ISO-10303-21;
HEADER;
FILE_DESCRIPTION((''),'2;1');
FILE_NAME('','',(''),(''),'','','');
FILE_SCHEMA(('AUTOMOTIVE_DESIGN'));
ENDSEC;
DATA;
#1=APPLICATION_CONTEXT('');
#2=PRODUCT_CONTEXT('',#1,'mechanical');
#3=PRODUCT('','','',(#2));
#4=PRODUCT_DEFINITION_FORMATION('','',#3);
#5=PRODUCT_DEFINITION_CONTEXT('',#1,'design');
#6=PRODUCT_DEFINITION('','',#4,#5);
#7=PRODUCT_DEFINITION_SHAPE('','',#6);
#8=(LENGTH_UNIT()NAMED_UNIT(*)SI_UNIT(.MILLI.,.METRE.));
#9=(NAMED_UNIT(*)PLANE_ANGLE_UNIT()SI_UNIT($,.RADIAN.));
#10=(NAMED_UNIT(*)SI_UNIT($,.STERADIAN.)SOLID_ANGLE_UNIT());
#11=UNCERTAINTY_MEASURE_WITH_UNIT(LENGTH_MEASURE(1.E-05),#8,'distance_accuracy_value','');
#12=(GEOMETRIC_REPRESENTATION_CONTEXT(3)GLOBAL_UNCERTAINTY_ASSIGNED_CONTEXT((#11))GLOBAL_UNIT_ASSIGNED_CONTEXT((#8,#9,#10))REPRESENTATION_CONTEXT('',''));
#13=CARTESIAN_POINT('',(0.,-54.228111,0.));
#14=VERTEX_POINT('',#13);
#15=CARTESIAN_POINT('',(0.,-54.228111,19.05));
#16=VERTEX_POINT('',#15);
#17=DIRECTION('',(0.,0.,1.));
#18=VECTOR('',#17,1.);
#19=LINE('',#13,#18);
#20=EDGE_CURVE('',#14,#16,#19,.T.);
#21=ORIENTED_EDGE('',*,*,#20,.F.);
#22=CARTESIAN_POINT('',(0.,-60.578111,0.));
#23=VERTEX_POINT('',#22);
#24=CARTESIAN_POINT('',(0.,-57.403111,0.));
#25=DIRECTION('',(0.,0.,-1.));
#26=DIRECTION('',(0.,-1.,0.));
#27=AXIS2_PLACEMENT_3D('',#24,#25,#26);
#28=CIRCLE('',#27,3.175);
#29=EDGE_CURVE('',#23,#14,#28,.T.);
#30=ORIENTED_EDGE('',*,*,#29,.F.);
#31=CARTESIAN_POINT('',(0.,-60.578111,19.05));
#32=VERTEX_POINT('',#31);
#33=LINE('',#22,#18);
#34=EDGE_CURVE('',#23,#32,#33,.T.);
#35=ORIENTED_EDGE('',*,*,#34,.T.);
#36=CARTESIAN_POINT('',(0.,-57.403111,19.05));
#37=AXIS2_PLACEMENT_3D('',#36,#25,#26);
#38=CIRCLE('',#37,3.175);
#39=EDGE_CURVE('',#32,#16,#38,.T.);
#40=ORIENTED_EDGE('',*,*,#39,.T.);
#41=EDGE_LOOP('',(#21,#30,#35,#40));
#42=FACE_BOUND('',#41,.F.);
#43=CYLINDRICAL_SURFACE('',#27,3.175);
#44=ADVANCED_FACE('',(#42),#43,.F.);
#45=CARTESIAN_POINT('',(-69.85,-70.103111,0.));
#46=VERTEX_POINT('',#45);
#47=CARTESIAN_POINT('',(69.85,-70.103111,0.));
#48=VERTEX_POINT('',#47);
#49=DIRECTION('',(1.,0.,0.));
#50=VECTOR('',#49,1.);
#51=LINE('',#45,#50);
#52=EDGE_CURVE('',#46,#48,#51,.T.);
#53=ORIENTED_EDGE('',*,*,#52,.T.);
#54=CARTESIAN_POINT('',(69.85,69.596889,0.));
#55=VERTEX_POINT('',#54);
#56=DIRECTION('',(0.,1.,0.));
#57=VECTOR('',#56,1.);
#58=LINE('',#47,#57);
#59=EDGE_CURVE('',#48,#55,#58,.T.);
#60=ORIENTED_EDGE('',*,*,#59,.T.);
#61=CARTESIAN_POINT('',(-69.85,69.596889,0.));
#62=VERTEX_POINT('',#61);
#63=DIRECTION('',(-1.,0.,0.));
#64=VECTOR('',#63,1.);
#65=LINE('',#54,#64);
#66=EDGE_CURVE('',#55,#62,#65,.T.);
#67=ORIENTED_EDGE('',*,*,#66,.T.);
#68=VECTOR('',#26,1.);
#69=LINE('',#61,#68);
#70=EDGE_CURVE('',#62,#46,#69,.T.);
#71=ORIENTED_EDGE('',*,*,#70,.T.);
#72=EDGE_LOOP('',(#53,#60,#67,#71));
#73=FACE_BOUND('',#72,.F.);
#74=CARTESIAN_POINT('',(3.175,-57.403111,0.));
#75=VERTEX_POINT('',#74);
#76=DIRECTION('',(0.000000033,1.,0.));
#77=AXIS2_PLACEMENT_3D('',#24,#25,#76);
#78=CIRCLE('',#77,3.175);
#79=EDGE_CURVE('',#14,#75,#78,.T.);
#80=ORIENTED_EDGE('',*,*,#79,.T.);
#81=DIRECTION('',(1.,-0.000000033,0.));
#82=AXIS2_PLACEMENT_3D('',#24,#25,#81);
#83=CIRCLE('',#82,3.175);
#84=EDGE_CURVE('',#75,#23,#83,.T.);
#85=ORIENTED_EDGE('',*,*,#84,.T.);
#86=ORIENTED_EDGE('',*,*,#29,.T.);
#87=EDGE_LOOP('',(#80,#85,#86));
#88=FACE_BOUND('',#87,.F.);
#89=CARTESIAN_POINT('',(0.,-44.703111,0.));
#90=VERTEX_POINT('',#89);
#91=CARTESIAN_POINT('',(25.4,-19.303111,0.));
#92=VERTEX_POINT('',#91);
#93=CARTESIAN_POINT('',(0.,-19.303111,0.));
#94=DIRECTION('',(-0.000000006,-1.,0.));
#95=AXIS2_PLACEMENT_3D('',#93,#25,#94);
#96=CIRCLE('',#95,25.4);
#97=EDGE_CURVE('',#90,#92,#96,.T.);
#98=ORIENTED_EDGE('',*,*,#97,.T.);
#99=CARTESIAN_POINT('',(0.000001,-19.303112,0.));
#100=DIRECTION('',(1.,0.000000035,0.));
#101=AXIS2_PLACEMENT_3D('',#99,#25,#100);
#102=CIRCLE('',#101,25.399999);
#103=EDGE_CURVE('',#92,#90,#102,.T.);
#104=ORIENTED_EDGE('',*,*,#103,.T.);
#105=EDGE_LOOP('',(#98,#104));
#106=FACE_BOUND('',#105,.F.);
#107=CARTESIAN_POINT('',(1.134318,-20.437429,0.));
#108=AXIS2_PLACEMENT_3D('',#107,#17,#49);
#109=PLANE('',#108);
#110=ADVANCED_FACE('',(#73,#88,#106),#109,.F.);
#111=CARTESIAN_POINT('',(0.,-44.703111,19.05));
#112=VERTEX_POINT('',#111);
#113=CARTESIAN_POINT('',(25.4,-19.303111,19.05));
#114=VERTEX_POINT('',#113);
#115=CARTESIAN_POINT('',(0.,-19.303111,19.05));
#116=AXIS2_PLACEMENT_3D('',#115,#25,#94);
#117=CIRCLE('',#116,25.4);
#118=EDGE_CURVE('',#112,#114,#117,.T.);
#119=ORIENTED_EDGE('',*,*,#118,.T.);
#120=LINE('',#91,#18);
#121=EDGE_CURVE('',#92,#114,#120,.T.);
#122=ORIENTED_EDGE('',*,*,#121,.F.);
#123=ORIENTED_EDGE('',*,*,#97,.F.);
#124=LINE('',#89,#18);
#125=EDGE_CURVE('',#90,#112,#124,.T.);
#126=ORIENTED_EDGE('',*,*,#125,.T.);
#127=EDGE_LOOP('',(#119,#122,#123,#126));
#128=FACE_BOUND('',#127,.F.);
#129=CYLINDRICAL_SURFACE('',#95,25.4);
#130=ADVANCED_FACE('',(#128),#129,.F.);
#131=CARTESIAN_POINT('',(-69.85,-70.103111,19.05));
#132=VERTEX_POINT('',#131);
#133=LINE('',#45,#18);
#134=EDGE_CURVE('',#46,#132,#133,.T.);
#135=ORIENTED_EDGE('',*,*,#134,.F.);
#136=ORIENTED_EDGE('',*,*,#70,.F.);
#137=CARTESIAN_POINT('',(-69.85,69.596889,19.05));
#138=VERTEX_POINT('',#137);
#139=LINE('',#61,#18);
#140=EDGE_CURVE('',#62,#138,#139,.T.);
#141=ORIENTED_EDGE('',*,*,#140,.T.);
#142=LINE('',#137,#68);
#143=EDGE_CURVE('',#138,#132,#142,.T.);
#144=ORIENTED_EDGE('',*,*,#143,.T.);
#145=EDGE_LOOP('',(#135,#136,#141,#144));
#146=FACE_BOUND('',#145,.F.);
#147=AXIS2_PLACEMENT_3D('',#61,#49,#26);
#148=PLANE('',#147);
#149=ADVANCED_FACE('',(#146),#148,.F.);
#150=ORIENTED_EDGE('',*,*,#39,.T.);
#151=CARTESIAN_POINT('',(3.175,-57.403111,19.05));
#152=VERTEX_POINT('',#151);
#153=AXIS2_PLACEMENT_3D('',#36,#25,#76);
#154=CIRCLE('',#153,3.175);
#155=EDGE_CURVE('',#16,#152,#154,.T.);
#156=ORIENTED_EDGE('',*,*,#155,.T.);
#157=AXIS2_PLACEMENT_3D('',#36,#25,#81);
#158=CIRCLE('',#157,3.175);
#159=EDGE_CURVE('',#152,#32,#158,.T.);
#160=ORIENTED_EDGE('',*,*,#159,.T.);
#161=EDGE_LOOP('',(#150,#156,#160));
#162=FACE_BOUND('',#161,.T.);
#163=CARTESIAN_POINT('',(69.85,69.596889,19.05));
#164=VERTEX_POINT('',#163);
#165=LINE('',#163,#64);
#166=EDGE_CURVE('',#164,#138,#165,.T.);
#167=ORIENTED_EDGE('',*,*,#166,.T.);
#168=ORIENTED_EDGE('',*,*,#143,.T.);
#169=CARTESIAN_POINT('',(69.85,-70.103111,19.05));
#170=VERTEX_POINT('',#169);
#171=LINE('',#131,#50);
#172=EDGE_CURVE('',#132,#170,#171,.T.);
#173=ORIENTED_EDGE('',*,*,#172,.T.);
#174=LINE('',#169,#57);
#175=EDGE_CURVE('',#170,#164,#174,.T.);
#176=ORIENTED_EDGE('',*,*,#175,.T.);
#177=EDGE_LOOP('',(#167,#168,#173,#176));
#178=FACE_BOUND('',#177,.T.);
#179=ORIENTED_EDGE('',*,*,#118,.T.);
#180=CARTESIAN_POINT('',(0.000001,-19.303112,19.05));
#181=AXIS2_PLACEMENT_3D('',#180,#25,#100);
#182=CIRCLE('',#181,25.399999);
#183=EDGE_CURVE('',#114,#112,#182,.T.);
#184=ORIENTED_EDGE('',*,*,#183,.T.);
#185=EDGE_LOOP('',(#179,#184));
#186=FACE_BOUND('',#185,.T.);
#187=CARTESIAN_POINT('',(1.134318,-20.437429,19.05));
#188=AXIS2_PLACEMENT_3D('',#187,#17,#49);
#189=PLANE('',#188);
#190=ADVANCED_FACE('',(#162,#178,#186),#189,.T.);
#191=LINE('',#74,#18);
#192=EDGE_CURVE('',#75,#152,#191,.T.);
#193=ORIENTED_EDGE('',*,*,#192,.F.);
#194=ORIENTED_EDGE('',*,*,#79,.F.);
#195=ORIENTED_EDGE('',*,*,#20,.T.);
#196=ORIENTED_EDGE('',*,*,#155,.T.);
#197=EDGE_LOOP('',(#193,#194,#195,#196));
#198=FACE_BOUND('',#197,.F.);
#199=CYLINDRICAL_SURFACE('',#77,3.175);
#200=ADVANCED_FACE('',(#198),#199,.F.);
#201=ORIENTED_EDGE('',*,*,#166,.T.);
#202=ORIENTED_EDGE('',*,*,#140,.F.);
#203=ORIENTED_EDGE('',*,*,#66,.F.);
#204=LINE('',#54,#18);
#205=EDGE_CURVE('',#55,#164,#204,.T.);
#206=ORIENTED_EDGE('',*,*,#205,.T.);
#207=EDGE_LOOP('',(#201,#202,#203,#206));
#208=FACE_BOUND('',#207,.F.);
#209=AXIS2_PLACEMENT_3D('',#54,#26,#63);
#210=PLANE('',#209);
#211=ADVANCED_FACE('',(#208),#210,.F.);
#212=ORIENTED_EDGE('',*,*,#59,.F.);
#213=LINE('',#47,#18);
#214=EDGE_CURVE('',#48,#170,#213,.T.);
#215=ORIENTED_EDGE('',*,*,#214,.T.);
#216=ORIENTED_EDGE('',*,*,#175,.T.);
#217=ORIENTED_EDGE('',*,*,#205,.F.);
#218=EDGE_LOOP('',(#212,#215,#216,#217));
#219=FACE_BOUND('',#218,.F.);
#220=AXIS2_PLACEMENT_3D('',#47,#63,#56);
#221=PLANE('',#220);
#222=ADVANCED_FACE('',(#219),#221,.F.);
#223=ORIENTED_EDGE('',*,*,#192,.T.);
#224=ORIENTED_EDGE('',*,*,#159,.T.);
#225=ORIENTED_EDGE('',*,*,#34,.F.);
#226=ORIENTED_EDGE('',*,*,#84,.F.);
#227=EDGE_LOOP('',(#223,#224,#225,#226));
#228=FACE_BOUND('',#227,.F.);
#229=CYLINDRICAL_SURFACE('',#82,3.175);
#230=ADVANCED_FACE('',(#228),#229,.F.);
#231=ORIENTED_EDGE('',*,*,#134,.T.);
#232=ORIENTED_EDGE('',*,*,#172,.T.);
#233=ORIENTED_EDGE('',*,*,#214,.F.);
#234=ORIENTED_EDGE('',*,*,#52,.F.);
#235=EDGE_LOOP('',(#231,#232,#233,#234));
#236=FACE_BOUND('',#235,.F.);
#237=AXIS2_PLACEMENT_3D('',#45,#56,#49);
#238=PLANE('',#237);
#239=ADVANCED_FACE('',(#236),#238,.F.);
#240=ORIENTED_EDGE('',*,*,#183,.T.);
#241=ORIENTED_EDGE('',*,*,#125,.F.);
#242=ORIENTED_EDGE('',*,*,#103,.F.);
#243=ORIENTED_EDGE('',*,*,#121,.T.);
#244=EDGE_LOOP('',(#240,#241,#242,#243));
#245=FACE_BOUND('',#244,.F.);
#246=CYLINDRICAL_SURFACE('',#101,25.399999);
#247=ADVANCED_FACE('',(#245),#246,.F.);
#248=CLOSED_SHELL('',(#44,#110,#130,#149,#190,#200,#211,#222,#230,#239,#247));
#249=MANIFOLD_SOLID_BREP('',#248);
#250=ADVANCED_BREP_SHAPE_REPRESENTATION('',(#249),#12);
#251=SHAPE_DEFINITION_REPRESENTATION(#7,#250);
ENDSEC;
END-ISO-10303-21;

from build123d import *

# Parameters (mm, degrees)
F1_DEPTH = 19.05


with BuildPart() as f1:
    # F0 (on Top) → F1 (new body)
    with BuildSketch(Plane.XY):
        with BuildLine():
            ThreePointArc((25.4, -19.303111), (-17.960512, -1.342599), (0, -44.703111))
            ThreePointArc((0, -44.703111), (17.960512, -37.263624), (25.4, -19.303111))
        make_face()
        Polygon((-69.85, 69.596889), (-69.85, -70.103111), (0, -70.103111), (69.85, -70.103111), (69.85, 69.596889), align=None)
        with BuildLine():
            ThreePointArc((3.175, -57.403111), (2.245064, -59.648175), (0, -60.578111))
            ThreePointArc((0, -60.578111), (-3.175, -57.403111), (0, -54.228111))
            ThreePointArc((0, -54.228111), (2.245064, -55.158047), (3.175, -57.403111))
        make_face(mode=Mode.SUBTRACT)
        with BuildLine():
            ThreePointArc((25.4, -19.303111), (17.960512, -37.263624), (0, -44.703111))
            ThreePointArc((0, -44.703111), (-17.960512, -1.342599), (25.4, -19.303111))
        make_face(mode=Mode.SUBTRACT)
    extrude(amount=F1_DEPTH)


solid = f1.part
